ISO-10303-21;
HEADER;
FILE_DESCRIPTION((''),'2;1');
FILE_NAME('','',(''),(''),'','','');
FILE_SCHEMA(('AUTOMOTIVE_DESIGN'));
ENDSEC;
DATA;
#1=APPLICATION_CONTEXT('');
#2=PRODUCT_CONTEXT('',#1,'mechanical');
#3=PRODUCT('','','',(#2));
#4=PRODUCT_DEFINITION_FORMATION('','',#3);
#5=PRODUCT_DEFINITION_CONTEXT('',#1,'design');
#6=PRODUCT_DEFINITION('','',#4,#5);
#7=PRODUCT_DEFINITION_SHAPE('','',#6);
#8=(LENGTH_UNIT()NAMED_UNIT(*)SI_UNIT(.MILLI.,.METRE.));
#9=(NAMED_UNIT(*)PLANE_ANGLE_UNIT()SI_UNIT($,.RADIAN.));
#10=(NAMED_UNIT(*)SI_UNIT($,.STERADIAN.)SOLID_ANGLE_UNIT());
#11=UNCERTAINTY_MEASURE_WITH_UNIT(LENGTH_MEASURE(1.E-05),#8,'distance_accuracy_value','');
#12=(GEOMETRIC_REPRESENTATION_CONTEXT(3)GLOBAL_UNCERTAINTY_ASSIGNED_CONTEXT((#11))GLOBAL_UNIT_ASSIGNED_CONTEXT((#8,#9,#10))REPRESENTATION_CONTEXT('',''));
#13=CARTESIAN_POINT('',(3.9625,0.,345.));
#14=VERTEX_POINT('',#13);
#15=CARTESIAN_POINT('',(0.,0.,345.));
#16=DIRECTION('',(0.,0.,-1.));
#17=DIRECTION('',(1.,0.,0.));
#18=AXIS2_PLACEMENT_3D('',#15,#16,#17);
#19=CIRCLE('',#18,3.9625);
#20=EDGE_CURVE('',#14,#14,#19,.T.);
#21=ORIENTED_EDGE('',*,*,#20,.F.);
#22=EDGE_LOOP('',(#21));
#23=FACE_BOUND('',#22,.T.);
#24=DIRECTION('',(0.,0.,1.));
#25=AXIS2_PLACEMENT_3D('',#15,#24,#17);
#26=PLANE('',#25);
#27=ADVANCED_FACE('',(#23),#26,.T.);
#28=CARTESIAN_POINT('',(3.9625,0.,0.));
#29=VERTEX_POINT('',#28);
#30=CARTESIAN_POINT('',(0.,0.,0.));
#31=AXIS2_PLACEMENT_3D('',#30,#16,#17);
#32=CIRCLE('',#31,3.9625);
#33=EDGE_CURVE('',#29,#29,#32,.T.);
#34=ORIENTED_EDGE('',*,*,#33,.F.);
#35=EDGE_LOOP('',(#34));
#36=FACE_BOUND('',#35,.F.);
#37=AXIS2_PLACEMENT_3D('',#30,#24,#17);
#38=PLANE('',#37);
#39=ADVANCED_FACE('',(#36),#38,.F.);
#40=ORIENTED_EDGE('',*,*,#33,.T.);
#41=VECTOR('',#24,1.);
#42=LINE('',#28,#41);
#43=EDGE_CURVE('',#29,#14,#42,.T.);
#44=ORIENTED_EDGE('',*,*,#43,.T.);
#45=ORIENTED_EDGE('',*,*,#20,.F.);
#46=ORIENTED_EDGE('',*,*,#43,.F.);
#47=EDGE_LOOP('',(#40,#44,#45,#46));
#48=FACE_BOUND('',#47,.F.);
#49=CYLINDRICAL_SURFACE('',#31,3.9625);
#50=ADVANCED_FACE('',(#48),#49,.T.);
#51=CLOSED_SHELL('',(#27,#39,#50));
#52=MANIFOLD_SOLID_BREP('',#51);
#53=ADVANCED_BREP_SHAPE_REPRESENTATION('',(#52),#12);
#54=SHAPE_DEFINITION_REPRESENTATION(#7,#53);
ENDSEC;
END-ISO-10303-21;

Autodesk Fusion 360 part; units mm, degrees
sketch "Sketch1" plane through (0, 0, 0) normal (0, 0, 1) x (1, 0, 0)
  circle A0 centre (0, 0) radius 4
  dimension "d1" = 8
extrude "Extrude1" add sketch "Sketch1" along normal blind 345
thread "Thread1" "ISO Metric Trapezoidal Threads 8.0 TR8x1.5 7e" major diameter 7.925 minor diameter 6.0605 pitch 1.5 angle 30 resizes the face on face at (-1.5959, -3.6679, 230)
